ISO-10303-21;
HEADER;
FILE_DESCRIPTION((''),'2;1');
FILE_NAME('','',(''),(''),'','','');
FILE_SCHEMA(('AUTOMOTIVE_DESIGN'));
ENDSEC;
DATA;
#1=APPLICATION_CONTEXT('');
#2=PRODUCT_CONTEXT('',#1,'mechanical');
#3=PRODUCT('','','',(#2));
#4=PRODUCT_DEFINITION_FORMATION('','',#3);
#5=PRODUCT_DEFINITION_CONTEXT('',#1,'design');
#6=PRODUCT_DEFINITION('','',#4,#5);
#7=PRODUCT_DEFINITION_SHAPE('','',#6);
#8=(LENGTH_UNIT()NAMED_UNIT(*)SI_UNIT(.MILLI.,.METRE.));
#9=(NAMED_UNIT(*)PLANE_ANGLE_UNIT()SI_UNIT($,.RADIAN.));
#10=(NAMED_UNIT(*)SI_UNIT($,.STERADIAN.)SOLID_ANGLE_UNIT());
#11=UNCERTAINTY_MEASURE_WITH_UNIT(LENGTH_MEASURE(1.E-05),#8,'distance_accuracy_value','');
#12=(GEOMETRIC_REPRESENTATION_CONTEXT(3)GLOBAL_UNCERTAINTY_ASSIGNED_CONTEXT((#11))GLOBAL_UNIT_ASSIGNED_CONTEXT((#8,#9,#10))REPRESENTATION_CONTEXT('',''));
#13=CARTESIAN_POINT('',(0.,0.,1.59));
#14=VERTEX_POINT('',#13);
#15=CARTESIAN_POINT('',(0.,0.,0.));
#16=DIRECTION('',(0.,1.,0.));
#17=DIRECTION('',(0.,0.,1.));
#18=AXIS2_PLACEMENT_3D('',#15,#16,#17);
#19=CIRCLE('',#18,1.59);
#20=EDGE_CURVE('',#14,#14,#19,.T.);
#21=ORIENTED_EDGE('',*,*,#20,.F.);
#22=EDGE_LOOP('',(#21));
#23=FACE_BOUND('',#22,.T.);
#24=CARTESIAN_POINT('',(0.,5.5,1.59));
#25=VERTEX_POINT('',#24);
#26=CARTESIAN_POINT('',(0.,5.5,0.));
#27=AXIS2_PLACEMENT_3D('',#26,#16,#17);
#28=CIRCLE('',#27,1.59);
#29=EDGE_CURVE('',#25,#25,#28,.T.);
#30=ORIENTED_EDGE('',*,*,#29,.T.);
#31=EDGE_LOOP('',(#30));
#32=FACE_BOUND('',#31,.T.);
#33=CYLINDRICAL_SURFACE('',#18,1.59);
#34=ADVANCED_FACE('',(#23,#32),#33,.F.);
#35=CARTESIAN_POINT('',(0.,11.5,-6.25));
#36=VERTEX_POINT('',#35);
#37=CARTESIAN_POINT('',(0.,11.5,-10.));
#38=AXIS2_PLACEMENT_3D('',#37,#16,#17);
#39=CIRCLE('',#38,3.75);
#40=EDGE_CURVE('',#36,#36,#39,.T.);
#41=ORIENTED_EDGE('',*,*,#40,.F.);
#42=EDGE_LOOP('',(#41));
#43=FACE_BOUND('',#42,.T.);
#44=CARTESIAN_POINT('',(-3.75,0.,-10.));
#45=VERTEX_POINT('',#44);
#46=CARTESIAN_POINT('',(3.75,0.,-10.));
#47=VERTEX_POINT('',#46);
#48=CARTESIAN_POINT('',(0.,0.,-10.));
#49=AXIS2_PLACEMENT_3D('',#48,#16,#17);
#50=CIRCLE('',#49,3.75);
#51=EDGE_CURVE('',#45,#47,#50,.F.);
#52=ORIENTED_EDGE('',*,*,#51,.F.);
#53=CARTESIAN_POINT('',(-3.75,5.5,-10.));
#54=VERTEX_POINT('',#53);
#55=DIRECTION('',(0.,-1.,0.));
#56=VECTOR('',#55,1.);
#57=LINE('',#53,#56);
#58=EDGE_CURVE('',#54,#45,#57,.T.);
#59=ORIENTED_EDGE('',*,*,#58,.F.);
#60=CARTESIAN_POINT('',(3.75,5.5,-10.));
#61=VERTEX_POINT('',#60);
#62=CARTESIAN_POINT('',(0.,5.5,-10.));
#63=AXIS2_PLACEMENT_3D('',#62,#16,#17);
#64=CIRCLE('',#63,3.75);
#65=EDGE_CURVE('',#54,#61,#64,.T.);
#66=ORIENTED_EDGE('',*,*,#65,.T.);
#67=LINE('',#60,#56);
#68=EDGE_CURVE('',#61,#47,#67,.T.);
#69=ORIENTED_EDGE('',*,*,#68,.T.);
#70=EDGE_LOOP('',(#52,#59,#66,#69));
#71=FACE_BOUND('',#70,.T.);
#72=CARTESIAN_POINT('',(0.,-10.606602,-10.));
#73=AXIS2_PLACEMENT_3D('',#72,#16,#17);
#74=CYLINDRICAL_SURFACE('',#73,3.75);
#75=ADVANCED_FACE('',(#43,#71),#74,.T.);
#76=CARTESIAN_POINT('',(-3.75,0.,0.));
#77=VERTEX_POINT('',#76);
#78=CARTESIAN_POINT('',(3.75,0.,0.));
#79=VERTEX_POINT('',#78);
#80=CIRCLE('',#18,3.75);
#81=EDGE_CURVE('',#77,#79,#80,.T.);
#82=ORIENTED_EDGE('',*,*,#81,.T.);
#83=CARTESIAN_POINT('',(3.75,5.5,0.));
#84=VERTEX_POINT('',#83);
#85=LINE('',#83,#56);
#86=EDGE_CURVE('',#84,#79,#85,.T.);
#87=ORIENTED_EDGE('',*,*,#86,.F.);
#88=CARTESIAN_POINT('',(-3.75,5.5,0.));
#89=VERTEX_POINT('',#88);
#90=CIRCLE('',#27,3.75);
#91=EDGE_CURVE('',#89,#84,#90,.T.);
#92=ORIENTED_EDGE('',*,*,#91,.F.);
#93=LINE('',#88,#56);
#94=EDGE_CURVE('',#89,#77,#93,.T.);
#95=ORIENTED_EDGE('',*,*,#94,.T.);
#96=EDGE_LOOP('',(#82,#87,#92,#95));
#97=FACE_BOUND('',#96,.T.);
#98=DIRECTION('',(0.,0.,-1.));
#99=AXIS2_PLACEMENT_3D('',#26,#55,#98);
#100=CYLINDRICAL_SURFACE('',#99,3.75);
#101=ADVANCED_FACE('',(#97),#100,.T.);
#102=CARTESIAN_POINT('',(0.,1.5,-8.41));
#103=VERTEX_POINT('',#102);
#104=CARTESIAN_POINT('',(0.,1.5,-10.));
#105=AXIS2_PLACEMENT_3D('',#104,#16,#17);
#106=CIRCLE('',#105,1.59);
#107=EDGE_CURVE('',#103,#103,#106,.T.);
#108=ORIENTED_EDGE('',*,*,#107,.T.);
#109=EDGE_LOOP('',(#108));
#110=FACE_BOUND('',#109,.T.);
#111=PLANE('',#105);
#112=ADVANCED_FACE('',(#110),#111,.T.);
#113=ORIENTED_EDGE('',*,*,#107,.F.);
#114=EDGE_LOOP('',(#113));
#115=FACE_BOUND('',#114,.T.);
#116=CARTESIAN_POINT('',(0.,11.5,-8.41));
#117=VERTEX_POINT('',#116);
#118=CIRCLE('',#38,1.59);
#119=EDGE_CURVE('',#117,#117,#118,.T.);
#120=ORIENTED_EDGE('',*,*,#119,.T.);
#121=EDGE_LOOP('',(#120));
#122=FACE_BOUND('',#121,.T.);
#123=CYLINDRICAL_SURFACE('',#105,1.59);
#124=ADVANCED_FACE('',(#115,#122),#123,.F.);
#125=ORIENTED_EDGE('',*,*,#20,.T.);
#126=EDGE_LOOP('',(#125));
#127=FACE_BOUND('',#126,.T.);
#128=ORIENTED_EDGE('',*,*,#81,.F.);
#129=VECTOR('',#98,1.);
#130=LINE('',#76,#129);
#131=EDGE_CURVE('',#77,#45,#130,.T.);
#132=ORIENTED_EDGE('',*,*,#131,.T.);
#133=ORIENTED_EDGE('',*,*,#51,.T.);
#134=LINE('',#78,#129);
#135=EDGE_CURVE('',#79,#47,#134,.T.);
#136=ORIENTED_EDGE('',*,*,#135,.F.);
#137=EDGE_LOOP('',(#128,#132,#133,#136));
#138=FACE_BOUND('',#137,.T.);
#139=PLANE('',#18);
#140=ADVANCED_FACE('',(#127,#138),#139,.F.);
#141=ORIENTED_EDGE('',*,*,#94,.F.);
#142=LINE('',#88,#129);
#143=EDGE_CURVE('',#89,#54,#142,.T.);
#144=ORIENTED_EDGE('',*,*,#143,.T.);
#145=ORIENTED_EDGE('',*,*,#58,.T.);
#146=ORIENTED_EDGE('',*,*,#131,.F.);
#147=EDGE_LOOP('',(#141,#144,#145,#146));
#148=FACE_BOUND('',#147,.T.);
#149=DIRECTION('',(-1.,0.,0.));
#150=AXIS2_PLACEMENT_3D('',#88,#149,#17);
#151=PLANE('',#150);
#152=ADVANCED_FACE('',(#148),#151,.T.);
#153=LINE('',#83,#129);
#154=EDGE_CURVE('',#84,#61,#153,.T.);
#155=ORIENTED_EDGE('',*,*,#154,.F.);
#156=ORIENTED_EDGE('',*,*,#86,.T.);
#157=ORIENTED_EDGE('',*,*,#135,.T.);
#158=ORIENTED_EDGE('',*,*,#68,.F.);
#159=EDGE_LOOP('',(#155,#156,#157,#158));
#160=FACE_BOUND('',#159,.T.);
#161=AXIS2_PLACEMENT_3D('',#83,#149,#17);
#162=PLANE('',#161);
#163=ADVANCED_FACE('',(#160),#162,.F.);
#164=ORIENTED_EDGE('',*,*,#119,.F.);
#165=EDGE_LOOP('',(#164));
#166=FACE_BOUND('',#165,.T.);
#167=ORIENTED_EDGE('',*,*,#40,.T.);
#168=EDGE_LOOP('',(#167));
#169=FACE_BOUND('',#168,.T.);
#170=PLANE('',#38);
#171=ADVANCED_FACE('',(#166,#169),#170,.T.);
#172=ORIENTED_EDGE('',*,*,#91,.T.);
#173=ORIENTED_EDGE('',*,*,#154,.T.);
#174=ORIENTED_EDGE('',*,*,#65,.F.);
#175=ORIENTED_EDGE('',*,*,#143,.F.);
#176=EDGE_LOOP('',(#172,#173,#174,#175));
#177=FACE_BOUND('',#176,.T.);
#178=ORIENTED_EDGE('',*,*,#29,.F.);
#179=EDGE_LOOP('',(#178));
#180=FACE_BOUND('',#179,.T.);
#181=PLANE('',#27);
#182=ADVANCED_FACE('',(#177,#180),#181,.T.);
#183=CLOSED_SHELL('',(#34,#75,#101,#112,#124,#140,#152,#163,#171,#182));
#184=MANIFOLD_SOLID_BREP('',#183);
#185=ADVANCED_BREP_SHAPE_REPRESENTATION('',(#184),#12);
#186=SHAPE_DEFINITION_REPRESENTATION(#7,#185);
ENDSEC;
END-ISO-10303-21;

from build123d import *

# Parameters (mm, degrees)
BOSS_EXTRUDE1_DEPTH             = 5.5
SKETCH2_R                       = 1.59
CUT_EXTRUDE1_DEPTH              = 13.013013777
SKETCH3_R                       = 3.75
BOSS_EXTRUDE2_DEPTH             = 6
BOSS_EXTRUDE2_DIRECTION_2_REACH = 14.013
SKETCH4_R                       = 1.59
CUT_EXTRUDE2_DEPTH              = 10


with BuildPart() as part:
    # Sketch1 → Boss-Extrude1 (new body)
    with BuildSketch(Plane(origin=(0, 0, 0), x_dir=(1, 0, 0), z_dir=(0, 1, 0))):
        with BuildLine():
            Line((-3.75, 10), (-3.75, 0))
            ThreePointArc((-3.75, 0), (0, -3.75), (3.75, 0))
            Line((3.75, 0), (3.75, 10))
            Line((3.75, 10), (-3.75, 10))
        make_face()
    extrude(amount=BOSS_EXTRUDE1_DEPTH)

    # Sketch2 → Cut-Extrude1 (cut, through all)
    with BuildSketch(Plane(origin=(0, 5.5, 0), x_dir=(1, 0, 0), z_dir=(0, 1, 0))):
        with Locations(Location((0, 0, 0), (0, 0, 270))):
            Circle(SKETCH2_R)
    extrude(amount=-CUT_EXTRUDE1_DEPTH, mode=Mode.SUBTRACT)

    # Sketch3 → Boss-Extrude2 (add)
    with BuildSketch(Plane(origin=(0, 5.5, 0), x_dir=(1, 0, 0), z_dir=(0, 1, 0))):
        with Locations(Location((0, 10, 0), (0, 0, 270))):
            Circle(SKETCH3_R)
    extrude(amount=BOSS_EXTRUDE2_DEPTH)

    # Boss-Extrude2 direction 2: up to this face of the body (flat: up to its plane)
    boss_extrude2_direction_2_end = Plane(part.part.faces().sort_by_distance((0, 0, -3.812169899))[0])
    # Sketch3 → Boss-Extrude2 direction 2 (add, up to the picked face)
    with BuildSketch(Plane(origin=(0, 5.5, 0), x_dir=(1, 0, 0), z_dir=(0, 1, 0)), mode=Mode.PRIVATE) as boss_extrude2_direction_2_sk1:
        with Locations(Location((0, 10, 0), (0, 0, 270))):
            Circle(SKETCH3_R)
    boss_extrude2_direction_2_tool1 = split(extrude(boss_extrude2_direction_2_sk1.sketch, amount=-BOSS_EXTRUDE2_DIRECTION_2_REACH, mode=Mode.PRIVATE), bisect_by=boss_extrude2_direction_2_end, keep=Keep.BOTH, mode=Mode.PRIVATE)
    add(boss_extrude2_direction_2_tool1.solids().sort_by(Axis((0, 5.5, -10), (0, -1, 0)))[0])

    # Sketch4 → Cut-Extrude2 (cut)
    with BuildSketch(Plane(origin=(0, 11.5, 0), x_dir=(1, 0, 0), z_dir=(0, 1, 0))):
        with Locations(Location((0, 10, 0), (0, 0, 270))):
            Circle(SKETCH4_R)
    extrude(amount=-CUT_EXTRUDE2_DEPTH, mode=Mode.SUBTRACT)


solid = part.part
